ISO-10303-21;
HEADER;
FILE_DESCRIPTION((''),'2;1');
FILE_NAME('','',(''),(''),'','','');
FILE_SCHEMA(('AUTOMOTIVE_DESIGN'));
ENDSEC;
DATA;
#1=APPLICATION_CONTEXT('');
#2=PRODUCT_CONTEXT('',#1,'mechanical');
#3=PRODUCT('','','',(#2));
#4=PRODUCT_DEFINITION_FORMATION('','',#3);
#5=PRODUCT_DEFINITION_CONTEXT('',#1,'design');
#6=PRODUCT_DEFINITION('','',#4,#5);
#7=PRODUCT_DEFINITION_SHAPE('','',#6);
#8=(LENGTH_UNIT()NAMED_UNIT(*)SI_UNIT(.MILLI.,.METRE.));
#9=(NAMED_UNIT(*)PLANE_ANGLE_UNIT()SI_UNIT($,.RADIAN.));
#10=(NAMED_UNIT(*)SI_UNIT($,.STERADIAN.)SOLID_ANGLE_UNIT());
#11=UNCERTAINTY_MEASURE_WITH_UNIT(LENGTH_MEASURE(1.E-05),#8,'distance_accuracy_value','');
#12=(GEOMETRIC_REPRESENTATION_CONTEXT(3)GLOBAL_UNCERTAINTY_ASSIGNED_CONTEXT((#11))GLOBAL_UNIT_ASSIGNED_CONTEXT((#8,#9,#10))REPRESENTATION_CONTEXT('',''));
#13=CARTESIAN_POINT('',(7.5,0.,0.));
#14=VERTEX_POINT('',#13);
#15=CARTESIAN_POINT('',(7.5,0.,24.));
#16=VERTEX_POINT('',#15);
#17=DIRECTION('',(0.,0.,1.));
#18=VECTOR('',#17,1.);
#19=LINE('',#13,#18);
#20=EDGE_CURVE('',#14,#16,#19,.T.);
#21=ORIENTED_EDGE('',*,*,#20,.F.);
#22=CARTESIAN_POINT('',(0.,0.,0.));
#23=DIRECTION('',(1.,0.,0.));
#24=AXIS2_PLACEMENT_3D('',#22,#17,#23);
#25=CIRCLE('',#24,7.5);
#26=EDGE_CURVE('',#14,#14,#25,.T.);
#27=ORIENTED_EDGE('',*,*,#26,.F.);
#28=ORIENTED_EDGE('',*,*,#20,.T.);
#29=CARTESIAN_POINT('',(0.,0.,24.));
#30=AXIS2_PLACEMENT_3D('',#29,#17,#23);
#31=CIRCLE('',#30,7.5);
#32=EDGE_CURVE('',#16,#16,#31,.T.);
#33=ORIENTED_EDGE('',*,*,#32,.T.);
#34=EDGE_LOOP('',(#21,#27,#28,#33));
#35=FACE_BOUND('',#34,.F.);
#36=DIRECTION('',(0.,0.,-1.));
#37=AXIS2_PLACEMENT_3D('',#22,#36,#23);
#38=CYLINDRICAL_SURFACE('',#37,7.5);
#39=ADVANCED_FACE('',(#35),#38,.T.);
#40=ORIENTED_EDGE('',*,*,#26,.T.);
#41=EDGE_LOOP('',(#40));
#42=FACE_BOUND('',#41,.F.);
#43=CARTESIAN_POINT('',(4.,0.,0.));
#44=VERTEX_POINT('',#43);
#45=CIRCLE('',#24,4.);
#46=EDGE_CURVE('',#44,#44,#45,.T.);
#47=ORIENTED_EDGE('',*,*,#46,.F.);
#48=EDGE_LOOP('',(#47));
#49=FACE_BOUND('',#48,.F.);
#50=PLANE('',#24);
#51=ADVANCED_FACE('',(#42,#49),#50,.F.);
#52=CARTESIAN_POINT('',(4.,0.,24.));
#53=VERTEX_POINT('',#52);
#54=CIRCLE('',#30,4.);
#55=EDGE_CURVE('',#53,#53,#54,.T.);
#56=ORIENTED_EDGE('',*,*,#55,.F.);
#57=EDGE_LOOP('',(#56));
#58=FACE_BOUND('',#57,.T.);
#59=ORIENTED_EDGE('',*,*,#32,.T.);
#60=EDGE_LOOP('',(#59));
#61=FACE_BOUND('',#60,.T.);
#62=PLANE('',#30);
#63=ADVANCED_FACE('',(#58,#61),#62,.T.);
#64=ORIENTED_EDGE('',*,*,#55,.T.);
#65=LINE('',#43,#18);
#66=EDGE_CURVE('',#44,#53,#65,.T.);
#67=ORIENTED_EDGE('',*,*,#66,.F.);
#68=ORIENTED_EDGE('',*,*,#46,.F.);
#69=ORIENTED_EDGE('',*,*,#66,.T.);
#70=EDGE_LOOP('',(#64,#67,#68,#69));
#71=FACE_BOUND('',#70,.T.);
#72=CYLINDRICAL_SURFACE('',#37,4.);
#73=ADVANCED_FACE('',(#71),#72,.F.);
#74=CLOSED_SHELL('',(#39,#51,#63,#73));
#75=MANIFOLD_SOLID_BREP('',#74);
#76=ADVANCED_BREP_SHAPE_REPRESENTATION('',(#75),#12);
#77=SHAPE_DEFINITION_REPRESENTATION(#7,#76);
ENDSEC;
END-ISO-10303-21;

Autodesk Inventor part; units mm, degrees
ref_plane "YZ Plane" through (0, 0, 0) normal (1, 0, 0) x (0, 1, 0)
ref_plane "XZ Plane" through (0, 0, 0) normal (0, 1, 0) x (-1, 0, 0)
ref_plane "XY Plane" through (0, 0, 0) normal (0, 0, 1) x (1, 0, 0)
sketch "Sketch1" plane through (0, 0, 0) normal (0, 0, 1) x (1, 0, 0)
  circle A0 centre (0, 0) radius 7.5
  circle A1 centre (0, 0) radius 4
  dimension "d0" = 8
  dimension "d2" = 15
extrude "Extrusion1" add sketch "Sketch1" along normal blind 24
properties part number "LM8UU"
